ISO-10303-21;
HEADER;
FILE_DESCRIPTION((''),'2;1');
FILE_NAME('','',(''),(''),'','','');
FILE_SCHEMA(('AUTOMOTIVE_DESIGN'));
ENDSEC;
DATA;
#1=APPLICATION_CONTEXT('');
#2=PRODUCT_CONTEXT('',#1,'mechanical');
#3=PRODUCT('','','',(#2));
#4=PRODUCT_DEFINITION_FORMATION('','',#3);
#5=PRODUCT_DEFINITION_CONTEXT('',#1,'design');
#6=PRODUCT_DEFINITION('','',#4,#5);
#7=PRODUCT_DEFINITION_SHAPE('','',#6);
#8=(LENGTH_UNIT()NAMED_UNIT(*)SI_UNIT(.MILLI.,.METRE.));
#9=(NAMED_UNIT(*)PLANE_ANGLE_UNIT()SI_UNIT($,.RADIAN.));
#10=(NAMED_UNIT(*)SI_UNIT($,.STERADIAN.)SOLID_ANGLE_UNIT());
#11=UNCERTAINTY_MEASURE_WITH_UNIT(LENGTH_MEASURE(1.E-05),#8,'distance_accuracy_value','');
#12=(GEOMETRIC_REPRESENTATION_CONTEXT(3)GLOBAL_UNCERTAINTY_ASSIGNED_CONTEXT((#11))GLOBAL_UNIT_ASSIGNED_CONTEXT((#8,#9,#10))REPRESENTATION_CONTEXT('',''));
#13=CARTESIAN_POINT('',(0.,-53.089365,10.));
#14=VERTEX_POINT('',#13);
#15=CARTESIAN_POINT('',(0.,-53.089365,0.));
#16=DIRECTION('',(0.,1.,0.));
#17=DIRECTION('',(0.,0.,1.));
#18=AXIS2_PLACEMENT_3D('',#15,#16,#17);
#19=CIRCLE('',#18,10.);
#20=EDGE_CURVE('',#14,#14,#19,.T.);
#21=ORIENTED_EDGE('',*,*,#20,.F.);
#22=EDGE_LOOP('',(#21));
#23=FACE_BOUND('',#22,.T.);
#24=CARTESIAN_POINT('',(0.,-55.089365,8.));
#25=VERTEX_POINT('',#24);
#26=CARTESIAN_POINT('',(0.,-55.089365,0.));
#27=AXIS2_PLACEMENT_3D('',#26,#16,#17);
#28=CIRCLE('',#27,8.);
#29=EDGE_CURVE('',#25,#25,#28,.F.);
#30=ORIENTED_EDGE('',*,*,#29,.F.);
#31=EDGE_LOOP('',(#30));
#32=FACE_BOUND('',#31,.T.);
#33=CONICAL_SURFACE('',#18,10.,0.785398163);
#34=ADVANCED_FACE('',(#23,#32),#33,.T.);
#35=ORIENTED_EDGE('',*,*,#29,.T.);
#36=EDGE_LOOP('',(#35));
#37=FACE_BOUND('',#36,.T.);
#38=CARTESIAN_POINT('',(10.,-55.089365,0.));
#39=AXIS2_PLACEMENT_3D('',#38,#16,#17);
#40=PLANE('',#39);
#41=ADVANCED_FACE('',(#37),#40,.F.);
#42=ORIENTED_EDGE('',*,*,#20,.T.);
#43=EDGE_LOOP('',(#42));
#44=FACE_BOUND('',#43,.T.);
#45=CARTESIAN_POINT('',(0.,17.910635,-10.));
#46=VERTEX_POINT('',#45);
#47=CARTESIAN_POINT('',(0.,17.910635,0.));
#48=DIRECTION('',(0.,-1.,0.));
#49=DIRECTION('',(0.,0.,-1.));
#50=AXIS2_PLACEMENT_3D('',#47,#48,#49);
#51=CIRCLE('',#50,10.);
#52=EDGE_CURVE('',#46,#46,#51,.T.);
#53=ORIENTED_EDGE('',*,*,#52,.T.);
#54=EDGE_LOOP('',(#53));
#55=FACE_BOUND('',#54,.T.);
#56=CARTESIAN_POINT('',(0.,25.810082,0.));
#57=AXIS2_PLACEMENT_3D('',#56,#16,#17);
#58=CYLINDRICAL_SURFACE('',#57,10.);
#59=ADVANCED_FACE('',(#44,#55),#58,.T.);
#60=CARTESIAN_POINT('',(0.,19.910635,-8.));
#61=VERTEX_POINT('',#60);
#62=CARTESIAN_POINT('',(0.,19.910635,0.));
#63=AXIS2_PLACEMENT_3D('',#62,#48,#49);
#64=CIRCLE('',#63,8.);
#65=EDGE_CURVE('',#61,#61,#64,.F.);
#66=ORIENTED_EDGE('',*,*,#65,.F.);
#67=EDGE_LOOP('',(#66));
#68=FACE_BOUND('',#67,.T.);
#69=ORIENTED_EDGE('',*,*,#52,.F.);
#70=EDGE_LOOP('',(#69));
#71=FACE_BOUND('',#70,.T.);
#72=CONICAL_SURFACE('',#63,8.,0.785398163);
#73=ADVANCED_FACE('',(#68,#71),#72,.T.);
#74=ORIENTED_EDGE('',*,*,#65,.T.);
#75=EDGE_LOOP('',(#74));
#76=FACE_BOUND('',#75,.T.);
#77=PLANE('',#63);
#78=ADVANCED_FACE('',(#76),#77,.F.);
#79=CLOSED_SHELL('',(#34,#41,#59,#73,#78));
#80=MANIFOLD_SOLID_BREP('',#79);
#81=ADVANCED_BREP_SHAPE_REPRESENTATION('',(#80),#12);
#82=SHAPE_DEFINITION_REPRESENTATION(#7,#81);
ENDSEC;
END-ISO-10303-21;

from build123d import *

# Parameters (mm, degrees)
SKETCH1_W     = 10
SKETCH1_H     = 75
CHAMFER1_SIZE = 2


with BuildPart() as part:
    # Sketch1 → Revolve1 (revolve)
    with BuildSketch(Plane.XY, mode=Mode.PRIVATE) as revolve1_sk:
        with Locations((5, -17.589365205)):
            Rectangle(SKETCH1_W, SKETCH1_H)
    revolve(revolve1_sk.sketch.rotate(Axis((0, 25.810082142, 0), (0, -1, 0)), 90), axis=Axis((0, 25.810082142, 0), (0, -1, 0)))

    # Chamfer1
    chamfer1_edges = [part.edges().sort_by_distance(p)[0] for p in [
        (0, -55.089365205, -10),
        (0, 19.910634795, -10),
    ]]
    chamfer(chamfer1_edges, length=CHAMFER1_SIZE)


solid = part.part
